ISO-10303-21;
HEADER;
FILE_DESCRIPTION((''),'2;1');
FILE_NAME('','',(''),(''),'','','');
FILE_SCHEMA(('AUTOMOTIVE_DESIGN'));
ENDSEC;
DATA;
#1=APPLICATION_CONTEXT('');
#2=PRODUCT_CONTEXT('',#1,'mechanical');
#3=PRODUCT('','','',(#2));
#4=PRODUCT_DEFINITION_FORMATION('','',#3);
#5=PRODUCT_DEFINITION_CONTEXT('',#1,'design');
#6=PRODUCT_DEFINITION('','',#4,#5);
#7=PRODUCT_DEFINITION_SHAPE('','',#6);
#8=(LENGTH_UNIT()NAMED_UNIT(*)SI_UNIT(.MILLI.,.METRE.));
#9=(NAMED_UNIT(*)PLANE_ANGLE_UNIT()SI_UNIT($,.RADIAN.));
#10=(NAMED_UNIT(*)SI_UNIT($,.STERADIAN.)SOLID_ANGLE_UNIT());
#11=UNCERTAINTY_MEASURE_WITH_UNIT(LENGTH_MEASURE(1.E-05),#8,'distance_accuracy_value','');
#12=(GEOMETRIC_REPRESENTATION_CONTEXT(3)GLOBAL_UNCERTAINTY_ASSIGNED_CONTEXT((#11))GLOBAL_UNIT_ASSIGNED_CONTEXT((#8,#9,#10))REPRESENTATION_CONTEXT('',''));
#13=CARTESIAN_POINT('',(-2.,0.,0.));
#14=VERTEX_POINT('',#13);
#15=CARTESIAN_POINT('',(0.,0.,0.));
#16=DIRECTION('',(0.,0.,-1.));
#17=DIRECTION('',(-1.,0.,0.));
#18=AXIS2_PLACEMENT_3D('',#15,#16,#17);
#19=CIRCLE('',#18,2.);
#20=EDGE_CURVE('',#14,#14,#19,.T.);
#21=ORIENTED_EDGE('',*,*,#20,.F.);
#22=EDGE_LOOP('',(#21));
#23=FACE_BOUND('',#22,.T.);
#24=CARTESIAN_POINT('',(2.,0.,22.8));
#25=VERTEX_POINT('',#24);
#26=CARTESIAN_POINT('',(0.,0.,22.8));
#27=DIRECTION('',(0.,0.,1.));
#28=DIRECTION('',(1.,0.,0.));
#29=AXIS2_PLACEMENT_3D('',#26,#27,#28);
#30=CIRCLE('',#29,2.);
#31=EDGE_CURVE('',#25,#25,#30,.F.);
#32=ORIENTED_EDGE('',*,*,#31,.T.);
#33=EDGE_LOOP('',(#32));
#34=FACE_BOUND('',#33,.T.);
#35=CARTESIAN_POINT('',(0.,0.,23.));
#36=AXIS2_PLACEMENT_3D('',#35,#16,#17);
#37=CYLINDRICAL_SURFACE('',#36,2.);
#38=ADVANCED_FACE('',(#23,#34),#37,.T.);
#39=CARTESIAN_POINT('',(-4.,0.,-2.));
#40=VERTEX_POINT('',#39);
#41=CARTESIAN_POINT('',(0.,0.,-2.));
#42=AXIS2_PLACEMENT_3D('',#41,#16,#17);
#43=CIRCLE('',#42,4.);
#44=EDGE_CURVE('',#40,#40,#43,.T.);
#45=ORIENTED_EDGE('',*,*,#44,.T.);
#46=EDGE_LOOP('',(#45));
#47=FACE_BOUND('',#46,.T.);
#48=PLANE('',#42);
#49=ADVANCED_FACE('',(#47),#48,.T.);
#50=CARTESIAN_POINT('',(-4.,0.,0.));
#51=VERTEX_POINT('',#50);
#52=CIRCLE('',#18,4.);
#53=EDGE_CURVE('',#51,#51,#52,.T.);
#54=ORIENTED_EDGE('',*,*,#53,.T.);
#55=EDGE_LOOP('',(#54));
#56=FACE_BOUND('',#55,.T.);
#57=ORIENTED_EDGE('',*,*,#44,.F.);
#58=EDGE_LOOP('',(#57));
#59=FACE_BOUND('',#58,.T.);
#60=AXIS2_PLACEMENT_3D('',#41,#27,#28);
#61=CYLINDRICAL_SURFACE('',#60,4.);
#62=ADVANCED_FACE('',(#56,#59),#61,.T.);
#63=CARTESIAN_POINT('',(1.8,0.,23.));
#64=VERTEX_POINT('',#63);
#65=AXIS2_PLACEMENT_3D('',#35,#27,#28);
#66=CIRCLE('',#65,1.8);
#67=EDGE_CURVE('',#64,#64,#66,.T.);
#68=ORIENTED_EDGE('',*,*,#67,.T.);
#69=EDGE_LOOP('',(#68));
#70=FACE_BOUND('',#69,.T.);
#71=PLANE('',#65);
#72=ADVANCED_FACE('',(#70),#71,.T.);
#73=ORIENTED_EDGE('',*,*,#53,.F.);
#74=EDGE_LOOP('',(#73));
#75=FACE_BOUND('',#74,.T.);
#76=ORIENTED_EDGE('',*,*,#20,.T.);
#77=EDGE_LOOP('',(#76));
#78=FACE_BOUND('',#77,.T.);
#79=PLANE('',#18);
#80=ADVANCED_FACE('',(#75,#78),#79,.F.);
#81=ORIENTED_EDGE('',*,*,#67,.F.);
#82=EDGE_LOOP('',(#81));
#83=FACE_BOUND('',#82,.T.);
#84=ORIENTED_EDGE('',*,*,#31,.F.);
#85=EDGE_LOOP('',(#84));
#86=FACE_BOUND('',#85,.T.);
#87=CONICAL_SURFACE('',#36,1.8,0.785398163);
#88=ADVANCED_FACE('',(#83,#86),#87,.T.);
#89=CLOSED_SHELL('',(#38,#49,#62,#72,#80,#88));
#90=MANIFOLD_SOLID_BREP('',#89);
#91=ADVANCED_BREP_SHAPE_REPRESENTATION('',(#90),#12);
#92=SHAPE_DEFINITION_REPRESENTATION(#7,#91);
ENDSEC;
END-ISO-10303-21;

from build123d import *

# Parameters (mm, degrees)
SKETCH_1_R      = 2
EXTRUDE_1_DEPTH = 23
SKETCH_2_R      = 4
EXTRUDE_2_DEPTH = 2
CHAMFER_1_SIZE  = 0.2


with BuildPart() as part:
    # 草图1 → 拉伸1 (new body)
    with BuildSketch(Plane.XY):
        Circle(SKETCH_1_R)
    extrude(amount=EXTRUDE_1_DEPTH)

    # 草图2 → 拉伸2 (add)
    with BuildSketch(Plane(origin=(0, 0, 0), x_dir=(-1, 0, 0), z_dir=(0, 0, -1))):
        Circle(SKETCH_2_R)
    extrude(amount=EXTRUDE_2_DEPTH)

    # 倒角1
    chamfer_1_edges = [part.edges().sort_by_distance(p)[0] for p in [
        (-2, 0, 23),
    ]]
    chamfer(chamfer_1_edges, length=CHAMFER_1_SIZE)


solid = part.part
